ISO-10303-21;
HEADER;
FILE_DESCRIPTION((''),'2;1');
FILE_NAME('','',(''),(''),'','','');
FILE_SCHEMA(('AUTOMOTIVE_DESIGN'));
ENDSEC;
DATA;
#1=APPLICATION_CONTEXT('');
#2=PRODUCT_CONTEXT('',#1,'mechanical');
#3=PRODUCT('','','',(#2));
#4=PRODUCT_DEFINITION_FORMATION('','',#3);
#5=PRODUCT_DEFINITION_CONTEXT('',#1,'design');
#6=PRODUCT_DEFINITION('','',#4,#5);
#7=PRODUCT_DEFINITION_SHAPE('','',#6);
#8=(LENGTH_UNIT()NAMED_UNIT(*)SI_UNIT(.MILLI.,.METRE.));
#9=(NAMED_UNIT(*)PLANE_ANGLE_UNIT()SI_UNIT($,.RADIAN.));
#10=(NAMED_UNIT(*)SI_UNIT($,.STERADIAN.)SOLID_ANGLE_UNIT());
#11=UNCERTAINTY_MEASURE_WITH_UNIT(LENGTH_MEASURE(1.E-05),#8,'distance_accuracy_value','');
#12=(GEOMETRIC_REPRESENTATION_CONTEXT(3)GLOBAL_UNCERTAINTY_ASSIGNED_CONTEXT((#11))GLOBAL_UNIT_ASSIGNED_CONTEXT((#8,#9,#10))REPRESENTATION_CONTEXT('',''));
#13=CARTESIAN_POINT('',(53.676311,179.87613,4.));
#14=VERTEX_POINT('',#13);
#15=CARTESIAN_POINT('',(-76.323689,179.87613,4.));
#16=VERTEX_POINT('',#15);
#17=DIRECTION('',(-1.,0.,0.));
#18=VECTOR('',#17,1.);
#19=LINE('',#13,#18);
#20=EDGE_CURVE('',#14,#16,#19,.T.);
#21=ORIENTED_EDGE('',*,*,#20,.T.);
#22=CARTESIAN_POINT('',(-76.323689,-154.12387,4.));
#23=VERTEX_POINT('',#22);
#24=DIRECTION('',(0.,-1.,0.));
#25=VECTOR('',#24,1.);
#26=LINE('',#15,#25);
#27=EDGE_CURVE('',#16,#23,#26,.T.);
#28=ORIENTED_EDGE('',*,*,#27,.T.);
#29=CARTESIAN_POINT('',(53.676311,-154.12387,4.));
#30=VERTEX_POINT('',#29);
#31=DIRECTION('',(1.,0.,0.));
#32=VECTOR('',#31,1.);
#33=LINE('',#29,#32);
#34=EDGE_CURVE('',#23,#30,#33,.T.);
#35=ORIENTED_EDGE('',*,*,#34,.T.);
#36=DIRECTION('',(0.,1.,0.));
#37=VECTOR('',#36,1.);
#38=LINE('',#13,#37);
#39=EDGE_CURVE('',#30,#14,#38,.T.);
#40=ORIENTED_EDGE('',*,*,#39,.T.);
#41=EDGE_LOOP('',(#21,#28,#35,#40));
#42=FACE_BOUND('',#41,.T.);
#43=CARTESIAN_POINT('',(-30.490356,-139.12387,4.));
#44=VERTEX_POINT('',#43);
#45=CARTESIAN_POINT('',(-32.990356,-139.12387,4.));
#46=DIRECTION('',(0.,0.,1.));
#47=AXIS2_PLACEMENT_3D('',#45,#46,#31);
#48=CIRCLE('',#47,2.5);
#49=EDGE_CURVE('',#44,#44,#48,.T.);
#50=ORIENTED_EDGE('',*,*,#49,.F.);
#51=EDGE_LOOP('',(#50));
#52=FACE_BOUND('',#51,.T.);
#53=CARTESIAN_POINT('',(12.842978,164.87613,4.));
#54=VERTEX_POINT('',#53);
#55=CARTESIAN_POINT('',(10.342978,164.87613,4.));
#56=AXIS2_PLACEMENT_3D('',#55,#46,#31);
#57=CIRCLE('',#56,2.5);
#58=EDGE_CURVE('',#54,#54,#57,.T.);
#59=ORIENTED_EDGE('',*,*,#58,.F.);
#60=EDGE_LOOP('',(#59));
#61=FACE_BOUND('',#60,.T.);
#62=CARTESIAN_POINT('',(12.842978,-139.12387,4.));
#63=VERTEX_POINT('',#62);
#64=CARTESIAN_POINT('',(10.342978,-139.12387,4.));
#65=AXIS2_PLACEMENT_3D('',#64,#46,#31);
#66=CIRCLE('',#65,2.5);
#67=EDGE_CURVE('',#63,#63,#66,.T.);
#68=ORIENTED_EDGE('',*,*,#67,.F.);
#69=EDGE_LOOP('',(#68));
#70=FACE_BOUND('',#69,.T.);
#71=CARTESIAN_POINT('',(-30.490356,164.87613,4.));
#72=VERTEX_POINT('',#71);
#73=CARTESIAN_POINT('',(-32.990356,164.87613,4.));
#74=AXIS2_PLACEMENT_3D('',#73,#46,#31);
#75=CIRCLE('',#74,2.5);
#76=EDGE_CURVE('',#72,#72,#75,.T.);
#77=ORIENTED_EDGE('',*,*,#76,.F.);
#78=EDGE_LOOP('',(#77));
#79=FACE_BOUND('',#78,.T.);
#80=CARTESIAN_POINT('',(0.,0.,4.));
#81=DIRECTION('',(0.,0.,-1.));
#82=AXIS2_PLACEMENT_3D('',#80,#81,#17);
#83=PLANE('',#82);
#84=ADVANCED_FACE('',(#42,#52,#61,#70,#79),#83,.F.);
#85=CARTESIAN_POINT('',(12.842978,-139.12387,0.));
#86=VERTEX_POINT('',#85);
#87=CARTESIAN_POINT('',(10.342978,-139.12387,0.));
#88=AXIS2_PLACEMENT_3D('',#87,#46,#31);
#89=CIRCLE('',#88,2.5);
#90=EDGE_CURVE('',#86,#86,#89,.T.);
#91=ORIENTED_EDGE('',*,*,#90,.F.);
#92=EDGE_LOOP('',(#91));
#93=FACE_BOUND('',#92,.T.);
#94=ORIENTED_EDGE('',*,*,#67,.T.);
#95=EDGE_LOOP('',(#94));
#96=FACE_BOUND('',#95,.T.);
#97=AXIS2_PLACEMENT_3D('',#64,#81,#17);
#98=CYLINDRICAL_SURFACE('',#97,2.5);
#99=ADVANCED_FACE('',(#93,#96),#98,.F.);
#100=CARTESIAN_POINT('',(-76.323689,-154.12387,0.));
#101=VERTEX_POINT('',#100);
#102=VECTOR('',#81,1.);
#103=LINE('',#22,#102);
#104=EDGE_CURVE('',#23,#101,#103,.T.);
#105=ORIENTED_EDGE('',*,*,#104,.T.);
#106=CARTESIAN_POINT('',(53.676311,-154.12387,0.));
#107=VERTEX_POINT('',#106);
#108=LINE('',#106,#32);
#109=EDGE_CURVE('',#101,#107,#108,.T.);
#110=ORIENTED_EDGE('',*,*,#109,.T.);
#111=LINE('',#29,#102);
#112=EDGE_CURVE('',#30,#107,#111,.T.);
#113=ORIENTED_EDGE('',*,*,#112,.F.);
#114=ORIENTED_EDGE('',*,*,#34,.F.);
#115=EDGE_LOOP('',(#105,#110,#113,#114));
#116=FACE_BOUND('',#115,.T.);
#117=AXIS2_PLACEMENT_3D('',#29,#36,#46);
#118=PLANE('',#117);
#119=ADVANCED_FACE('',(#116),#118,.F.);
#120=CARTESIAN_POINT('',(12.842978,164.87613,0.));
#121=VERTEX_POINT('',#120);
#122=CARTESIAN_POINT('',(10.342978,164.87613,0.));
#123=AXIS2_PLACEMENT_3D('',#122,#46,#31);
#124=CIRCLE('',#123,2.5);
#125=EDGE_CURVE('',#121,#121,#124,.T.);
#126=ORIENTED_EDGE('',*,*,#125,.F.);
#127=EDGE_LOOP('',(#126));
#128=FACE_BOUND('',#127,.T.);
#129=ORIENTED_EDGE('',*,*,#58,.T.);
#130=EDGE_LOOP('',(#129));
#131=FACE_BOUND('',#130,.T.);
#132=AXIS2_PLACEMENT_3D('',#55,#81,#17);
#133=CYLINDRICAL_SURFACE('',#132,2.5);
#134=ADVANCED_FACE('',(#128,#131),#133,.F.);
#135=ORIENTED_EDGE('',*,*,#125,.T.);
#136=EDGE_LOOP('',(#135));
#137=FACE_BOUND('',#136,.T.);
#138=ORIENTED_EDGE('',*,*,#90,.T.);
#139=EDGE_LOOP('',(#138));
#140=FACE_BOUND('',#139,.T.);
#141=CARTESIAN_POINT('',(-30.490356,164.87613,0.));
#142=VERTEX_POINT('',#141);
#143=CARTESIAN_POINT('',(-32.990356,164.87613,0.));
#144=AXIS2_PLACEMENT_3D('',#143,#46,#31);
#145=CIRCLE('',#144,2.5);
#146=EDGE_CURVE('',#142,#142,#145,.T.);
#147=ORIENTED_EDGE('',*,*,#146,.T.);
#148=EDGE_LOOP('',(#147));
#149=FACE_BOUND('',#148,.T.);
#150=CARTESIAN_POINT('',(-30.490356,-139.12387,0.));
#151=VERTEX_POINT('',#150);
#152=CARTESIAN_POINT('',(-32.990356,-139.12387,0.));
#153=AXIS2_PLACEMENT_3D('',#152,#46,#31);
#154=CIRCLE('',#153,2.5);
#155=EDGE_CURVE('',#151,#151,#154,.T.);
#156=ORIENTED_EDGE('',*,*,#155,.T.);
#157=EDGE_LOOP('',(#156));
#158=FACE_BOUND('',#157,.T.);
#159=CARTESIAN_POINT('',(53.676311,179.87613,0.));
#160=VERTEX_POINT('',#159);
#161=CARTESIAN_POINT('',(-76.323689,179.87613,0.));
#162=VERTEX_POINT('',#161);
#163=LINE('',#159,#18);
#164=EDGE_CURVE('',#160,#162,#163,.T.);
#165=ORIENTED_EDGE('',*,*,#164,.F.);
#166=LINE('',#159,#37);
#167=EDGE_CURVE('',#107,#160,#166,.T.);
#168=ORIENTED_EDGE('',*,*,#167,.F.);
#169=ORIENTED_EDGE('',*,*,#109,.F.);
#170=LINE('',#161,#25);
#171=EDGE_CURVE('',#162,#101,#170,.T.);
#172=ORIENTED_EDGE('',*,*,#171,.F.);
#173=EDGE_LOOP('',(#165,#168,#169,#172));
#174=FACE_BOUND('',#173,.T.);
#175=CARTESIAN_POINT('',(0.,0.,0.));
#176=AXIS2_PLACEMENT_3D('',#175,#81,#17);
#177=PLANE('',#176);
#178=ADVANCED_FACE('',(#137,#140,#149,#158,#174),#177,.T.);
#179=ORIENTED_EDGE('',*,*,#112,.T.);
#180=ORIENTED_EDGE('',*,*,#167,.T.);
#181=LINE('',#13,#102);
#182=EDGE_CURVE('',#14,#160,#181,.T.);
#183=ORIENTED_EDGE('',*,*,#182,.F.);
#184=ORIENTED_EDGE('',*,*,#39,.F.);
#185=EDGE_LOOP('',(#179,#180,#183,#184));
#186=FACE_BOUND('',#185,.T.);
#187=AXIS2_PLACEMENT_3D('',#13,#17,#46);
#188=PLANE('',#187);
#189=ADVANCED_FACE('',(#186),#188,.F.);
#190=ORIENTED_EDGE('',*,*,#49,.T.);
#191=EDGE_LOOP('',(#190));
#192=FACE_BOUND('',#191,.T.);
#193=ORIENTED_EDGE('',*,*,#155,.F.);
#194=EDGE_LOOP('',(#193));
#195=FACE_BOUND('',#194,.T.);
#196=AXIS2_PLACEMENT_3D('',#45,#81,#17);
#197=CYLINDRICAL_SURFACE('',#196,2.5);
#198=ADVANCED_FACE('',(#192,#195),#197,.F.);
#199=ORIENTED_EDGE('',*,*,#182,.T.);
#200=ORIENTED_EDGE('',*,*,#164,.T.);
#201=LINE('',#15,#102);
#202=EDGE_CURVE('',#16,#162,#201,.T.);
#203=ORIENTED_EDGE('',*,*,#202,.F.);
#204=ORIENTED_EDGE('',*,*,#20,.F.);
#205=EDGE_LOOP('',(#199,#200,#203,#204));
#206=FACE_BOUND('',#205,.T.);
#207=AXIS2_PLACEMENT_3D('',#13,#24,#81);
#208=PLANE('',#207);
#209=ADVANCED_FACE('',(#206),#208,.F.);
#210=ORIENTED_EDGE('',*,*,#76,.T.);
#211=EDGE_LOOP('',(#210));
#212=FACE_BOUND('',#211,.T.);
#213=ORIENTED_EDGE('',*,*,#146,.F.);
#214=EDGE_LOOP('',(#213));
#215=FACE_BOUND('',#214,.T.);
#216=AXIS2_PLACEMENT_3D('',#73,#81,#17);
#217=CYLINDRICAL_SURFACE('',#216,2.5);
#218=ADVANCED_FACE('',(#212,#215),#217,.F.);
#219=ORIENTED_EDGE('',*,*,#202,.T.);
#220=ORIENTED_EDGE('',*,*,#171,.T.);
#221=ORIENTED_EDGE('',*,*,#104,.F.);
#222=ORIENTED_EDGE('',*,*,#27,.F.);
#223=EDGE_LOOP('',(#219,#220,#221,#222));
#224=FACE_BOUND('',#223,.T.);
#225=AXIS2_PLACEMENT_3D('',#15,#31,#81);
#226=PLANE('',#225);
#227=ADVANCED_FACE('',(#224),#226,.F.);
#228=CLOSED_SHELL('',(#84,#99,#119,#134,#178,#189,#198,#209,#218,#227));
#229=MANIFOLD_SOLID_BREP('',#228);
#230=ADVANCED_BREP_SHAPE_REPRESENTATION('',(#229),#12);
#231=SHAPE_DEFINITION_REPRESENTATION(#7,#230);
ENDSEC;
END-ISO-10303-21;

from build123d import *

# Parameters (mm, degrees)
CROQUIS1_W              = 130
CROQUIS1_H              = 334
CROQUIS1_R              = 2.5
SALIENTE_EXTRUIR1_DEPTH = 4


with BuildPart() as part:
    # Croquis1 → Saliente-Extruir1 (new body)
    with BuildSketch(Plane.XY):
        with Locations((-11.323689132, 12.876130384)):
            Rectangle(CROQUIS1_W, CROQUIS1_H)
        with Locations((10.342977535, 164.876130384)):
            Circle(CROQUIS1_R, mode=Mode.SUBTRACT)
        with Locations((-32.990355799, 164.876130384)):
            Circle(CROQUIS1_R, mode=Mode.SUBTRACT)
        with Locations((10.342977535, -139.123869616)):
            Circle(CROQUIS1_R, mode=Mode.SUBTRACT)
        with Locations((-32.990355799, -139.123869616)):
            Circle(CROQUIS1_R, mode=Mode.SUBTRACT)
    extrude(amount=SALIENTE_EXTRUIR1_DEPTH)


solid = part.part
